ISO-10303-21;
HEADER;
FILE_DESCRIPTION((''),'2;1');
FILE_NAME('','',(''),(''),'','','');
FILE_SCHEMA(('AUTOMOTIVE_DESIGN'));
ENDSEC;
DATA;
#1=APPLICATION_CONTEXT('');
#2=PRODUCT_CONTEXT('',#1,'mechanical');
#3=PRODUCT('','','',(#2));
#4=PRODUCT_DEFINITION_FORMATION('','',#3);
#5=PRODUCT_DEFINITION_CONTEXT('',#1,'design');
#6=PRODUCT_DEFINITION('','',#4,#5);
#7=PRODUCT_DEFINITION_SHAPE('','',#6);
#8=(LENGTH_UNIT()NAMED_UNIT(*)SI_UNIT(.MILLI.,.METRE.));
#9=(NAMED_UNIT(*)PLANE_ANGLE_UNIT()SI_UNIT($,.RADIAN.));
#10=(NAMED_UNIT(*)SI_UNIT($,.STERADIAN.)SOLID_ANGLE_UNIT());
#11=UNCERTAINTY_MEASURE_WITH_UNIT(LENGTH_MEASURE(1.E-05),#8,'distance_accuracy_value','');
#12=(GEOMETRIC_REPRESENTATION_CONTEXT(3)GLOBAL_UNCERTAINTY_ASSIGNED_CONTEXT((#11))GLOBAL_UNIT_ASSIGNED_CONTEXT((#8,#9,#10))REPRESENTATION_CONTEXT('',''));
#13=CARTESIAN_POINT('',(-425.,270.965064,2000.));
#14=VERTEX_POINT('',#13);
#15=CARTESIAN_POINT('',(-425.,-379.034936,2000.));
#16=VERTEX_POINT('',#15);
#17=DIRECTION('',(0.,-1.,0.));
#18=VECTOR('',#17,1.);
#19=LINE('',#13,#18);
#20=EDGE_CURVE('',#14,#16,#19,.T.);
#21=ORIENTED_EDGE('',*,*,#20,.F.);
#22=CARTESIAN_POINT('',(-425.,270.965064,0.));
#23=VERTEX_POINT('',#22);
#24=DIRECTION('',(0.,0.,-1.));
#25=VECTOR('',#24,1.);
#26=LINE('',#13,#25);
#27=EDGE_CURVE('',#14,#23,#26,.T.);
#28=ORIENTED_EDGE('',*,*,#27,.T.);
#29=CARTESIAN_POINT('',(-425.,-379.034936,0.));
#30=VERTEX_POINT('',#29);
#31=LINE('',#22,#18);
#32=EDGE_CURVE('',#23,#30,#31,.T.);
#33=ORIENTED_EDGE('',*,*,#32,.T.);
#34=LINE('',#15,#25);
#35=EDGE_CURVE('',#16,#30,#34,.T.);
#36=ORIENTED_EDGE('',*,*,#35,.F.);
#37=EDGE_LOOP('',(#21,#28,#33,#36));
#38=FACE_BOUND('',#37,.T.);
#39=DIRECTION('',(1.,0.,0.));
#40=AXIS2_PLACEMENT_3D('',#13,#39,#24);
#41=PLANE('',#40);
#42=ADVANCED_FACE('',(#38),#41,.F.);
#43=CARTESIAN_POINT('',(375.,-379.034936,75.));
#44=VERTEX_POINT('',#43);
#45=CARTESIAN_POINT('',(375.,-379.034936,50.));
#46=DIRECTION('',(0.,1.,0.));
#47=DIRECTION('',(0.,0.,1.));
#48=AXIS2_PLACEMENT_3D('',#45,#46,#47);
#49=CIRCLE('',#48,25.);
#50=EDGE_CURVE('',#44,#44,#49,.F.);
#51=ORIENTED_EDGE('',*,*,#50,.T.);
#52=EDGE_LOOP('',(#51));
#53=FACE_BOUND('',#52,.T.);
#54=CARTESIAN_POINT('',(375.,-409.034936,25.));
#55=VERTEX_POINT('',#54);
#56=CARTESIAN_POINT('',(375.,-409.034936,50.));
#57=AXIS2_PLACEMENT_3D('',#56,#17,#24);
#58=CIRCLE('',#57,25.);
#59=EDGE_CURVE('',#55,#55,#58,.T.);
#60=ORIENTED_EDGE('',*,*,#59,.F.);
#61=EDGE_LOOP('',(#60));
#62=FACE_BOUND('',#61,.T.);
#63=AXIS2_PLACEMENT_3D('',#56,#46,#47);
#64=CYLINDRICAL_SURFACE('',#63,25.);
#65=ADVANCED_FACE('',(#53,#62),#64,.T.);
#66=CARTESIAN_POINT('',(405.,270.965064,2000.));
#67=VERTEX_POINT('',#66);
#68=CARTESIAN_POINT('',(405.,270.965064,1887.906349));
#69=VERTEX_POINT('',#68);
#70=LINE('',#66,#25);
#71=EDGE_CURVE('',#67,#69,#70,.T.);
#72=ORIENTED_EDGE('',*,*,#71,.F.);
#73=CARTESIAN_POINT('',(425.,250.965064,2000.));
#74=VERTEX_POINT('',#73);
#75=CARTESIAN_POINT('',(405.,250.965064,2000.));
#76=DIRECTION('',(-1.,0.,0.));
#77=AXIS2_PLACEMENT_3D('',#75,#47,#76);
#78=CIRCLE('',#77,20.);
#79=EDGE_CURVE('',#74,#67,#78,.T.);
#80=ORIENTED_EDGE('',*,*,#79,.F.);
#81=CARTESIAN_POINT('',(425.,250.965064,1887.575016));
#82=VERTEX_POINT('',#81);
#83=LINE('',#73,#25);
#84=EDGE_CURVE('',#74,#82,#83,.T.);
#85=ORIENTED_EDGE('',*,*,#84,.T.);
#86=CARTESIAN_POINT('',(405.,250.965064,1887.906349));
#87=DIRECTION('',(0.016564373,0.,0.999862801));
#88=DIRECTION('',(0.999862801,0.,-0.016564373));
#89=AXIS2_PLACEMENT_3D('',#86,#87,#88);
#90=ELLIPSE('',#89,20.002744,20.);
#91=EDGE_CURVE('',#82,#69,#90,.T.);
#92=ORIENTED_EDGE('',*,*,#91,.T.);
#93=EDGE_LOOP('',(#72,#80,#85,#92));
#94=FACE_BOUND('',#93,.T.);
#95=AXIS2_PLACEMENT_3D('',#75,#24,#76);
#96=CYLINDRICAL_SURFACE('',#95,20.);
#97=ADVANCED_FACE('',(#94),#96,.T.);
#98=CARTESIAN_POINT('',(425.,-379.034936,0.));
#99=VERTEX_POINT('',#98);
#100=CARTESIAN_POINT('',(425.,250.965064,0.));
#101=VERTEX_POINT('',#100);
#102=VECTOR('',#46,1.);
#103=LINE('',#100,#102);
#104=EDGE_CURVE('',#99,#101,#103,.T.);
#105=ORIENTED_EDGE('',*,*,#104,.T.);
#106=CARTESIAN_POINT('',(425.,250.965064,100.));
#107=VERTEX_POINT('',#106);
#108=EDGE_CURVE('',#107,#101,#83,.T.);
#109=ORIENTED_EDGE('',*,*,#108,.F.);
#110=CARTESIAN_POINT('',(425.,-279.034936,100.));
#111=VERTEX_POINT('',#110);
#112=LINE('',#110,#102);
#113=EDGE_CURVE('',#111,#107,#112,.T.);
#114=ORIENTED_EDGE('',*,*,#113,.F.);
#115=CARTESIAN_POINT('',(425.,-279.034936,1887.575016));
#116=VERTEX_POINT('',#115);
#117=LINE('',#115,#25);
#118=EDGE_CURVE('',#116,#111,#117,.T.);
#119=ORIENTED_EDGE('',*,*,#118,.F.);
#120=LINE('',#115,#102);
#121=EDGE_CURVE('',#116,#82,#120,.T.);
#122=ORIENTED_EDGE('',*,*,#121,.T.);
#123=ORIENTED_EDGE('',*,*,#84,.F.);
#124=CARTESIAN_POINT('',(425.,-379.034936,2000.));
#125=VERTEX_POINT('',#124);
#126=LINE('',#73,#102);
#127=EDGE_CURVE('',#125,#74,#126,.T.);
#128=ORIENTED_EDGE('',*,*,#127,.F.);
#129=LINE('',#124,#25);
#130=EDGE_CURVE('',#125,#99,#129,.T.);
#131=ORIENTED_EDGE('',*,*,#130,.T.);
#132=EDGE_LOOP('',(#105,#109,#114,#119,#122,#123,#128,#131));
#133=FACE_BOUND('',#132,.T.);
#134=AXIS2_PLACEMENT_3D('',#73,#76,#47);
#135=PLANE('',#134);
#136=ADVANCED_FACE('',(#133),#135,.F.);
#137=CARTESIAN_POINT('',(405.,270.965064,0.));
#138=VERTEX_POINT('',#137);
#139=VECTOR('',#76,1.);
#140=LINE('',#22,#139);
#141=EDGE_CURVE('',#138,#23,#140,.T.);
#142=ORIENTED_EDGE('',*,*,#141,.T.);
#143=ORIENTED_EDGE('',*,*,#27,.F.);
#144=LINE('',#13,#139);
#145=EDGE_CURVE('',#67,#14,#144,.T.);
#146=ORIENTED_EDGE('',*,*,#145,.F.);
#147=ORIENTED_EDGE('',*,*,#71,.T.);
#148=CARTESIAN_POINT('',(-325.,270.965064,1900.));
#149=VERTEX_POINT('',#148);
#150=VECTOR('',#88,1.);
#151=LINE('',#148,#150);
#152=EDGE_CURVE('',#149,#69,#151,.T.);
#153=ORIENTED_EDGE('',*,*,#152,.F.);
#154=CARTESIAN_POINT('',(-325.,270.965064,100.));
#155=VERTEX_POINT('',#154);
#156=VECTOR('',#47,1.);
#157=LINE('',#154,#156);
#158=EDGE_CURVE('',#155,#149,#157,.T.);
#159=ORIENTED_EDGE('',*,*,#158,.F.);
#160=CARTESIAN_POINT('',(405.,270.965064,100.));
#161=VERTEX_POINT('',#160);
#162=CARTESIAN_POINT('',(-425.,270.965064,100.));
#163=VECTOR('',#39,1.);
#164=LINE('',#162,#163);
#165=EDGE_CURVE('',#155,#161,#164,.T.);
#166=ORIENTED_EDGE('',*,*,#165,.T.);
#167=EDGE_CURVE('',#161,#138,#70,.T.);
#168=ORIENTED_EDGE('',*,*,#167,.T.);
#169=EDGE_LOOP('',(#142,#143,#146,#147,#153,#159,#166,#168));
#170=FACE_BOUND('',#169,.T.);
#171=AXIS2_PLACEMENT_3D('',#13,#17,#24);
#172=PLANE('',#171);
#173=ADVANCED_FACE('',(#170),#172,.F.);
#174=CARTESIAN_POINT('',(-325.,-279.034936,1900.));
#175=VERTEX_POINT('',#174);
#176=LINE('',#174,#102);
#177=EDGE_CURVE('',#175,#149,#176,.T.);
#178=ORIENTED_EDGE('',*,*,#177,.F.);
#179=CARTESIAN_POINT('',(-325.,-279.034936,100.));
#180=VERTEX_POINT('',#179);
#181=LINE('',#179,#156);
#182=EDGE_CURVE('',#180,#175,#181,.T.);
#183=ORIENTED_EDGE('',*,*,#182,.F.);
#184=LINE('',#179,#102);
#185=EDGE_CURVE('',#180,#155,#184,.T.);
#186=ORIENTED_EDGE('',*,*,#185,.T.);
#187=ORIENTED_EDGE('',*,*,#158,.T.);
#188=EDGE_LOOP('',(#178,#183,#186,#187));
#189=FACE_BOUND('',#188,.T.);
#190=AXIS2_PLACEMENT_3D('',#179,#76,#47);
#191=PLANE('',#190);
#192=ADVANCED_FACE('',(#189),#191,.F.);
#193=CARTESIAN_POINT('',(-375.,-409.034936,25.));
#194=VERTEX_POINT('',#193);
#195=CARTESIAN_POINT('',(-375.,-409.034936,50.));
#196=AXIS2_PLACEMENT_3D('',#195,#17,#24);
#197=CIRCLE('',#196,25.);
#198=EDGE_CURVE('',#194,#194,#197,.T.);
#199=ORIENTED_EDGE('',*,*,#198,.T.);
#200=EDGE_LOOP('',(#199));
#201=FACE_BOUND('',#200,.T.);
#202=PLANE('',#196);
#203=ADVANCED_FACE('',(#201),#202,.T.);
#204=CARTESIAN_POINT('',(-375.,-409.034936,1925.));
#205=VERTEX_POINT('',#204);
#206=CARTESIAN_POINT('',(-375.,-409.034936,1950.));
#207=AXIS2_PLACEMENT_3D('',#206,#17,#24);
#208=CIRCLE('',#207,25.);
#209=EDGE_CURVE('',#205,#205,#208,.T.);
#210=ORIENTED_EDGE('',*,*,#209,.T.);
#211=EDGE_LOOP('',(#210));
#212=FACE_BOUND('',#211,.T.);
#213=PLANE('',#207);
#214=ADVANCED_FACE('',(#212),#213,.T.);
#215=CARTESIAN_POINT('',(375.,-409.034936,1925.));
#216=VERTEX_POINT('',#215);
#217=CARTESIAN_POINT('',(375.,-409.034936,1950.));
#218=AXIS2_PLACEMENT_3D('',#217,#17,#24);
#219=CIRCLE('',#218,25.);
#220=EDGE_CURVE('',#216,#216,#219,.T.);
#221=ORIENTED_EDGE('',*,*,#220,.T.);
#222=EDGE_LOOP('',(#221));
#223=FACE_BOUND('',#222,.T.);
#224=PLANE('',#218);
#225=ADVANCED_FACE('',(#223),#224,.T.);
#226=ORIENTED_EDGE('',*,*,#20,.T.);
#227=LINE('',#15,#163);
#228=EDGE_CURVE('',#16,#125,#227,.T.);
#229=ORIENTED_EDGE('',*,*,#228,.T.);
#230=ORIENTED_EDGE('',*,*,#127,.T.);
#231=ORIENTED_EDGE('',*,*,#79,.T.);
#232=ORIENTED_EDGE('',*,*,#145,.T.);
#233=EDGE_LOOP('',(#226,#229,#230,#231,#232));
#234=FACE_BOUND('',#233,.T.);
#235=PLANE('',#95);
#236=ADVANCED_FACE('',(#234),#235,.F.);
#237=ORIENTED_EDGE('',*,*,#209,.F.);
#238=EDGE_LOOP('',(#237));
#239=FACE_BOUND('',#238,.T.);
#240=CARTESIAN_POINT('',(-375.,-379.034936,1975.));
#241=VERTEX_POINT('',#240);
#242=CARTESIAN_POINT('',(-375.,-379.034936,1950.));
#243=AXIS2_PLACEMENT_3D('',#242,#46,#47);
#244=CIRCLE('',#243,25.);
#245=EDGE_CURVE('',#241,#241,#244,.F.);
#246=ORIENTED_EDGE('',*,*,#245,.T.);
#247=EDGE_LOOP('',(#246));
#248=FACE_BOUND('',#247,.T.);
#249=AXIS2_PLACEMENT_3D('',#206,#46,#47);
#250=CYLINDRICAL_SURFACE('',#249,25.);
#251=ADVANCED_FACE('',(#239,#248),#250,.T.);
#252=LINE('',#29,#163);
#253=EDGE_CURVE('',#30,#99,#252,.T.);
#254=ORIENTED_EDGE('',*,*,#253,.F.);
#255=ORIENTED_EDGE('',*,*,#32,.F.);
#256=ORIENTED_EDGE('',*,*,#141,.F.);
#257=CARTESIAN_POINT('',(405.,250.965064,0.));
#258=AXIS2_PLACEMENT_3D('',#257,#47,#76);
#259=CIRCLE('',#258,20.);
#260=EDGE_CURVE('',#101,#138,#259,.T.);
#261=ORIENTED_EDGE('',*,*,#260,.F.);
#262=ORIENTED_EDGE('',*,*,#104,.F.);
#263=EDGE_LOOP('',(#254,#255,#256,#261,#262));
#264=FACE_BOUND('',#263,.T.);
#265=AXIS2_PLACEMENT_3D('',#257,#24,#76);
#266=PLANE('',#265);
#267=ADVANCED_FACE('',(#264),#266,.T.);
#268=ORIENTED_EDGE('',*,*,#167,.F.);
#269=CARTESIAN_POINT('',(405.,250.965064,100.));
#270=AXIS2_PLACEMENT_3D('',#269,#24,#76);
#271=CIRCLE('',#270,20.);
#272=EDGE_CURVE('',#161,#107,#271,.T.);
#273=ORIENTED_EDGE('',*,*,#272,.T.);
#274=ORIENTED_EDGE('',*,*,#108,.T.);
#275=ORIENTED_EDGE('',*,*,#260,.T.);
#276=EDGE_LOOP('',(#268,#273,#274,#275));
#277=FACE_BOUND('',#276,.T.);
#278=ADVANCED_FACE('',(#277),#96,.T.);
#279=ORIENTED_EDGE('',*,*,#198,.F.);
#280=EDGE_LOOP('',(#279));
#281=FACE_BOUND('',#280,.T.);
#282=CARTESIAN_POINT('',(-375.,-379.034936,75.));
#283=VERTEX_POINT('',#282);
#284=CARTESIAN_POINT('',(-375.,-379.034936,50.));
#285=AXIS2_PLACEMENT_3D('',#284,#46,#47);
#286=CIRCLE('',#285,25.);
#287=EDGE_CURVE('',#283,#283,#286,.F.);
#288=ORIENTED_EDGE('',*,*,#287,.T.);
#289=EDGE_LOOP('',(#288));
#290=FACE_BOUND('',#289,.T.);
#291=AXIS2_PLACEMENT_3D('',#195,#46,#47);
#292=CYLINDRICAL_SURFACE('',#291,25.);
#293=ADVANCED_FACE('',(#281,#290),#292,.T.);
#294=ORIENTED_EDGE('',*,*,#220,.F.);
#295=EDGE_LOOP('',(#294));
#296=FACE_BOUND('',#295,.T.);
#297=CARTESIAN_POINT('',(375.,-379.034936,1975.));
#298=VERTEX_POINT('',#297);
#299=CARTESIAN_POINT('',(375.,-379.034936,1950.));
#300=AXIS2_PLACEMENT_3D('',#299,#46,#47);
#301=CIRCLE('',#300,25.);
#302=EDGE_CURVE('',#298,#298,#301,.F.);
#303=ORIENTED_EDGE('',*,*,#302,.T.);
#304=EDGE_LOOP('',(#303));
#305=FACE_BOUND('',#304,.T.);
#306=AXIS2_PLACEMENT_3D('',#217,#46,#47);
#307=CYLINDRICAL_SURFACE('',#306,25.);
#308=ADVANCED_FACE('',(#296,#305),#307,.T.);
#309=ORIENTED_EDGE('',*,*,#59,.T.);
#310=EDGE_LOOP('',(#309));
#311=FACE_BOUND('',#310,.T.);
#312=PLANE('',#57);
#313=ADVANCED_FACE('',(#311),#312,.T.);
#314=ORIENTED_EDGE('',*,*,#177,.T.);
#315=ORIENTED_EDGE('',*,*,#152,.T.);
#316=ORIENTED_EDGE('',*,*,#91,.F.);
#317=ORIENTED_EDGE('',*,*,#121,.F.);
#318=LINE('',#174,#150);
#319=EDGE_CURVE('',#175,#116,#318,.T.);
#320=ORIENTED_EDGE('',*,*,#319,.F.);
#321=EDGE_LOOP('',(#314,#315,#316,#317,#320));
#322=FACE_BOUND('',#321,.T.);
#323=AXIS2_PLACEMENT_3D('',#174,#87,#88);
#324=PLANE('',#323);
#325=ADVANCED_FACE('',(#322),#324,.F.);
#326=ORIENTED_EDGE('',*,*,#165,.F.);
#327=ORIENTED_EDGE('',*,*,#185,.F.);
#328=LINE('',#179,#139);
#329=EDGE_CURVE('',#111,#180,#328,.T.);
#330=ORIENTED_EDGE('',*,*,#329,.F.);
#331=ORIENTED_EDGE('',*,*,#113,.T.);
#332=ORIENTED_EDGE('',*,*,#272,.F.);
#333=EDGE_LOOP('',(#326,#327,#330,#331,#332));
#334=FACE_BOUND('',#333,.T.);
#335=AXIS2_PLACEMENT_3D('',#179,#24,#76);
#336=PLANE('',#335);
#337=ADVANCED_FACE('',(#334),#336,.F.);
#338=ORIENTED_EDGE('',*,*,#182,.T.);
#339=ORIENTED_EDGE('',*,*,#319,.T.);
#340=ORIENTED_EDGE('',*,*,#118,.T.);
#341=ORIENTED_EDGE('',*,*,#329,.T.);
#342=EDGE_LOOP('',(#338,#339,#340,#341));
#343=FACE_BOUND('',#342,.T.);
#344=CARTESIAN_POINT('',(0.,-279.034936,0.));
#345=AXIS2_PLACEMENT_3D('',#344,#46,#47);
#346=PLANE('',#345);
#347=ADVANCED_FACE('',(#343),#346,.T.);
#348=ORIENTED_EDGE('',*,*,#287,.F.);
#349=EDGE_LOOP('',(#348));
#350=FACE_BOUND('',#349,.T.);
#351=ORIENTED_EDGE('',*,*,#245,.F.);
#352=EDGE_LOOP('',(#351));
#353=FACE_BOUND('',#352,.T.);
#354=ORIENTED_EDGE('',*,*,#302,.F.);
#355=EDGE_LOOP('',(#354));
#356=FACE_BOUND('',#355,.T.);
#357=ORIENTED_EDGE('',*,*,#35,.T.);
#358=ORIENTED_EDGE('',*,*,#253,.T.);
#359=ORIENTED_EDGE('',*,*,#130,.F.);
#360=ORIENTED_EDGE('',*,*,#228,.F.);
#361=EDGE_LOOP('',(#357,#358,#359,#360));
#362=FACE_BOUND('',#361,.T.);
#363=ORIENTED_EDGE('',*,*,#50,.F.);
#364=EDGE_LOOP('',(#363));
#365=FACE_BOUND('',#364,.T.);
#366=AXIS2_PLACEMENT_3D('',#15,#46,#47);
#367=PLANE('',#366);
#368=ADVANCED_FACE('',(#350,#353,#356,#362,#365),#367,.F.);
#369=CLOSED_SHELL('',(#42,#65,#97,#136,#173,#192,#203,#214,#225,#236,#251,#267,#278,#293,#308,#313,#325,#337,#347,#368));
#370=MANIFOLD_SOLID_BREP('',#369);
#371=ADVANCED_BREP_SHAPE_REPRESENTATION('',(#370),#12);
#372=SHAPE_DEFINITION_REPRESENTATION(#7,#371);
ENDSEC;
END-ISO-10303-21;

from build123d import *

# Parameters (mm, degrees)
BOSS_EXTRUDE1_DEPTH = 2000
CUT_EXTRUDE1_DEPTH  = 550
SKETCH4_R           = 25
BOSS_EXTRUDE2_DEPTH = 30


with BuildPart() as part:
    # Sketch1 → Boss-Extrude1 (new body)
    with BuildSketch(Plane.XY):
        with BuildLine():
            Line((-425, 270.9650644), (405, 270.9650644))
            ThreePointArc((405, 270.9650644), (419.142135624, 265.107200024), (425, 250.9650644))
            Line((425, 250.9650644), (425, -379.0349356))
            Line((425, -379.0349356), (-425, -379.0349356))
            Line((-425, -379.0349356), (-425, 270.9650644))
        make_face()
    extrude(amount=BOSS_EXTRUDE1_DEPTH)

    # Sketch3 → Cut-Extrude1 (cut)
    with BuildSketch(Plane(origin=(0, 270.9650644, 0), x_dir=(1, 0, 0), z_dir=(0, 1, 0))):
        Polygon((-325, -100), (425, -100), (425, -1887.575015641), (-325, -1900), align=None)
    extrude(amount=-CUT_EXTRUDE1_DEPTH, mode=Mode.SUBTRACT)

    # Sketch4 → Boss-Extrude2 (add)
    with BuildSketch(Plane(origin=(0, -379.0349356, 0), x_dir=(-1, 0, 0), z_dir=(0, -1, 0))):
        with Locations((375, -1950)):
            Circle(SKETCH4_R)
        with Locations((-375, -1950)):
            Circle(SKETCH4_R)
        with Locations((375, -50)):
            Circle(SKETCH4_R)
        with Locations((-375, -50)):
            Circle(SKETCH4_R)
    extrude(amount=BOSS_EXTRUDE2_DEPTH)


solid = part.part
